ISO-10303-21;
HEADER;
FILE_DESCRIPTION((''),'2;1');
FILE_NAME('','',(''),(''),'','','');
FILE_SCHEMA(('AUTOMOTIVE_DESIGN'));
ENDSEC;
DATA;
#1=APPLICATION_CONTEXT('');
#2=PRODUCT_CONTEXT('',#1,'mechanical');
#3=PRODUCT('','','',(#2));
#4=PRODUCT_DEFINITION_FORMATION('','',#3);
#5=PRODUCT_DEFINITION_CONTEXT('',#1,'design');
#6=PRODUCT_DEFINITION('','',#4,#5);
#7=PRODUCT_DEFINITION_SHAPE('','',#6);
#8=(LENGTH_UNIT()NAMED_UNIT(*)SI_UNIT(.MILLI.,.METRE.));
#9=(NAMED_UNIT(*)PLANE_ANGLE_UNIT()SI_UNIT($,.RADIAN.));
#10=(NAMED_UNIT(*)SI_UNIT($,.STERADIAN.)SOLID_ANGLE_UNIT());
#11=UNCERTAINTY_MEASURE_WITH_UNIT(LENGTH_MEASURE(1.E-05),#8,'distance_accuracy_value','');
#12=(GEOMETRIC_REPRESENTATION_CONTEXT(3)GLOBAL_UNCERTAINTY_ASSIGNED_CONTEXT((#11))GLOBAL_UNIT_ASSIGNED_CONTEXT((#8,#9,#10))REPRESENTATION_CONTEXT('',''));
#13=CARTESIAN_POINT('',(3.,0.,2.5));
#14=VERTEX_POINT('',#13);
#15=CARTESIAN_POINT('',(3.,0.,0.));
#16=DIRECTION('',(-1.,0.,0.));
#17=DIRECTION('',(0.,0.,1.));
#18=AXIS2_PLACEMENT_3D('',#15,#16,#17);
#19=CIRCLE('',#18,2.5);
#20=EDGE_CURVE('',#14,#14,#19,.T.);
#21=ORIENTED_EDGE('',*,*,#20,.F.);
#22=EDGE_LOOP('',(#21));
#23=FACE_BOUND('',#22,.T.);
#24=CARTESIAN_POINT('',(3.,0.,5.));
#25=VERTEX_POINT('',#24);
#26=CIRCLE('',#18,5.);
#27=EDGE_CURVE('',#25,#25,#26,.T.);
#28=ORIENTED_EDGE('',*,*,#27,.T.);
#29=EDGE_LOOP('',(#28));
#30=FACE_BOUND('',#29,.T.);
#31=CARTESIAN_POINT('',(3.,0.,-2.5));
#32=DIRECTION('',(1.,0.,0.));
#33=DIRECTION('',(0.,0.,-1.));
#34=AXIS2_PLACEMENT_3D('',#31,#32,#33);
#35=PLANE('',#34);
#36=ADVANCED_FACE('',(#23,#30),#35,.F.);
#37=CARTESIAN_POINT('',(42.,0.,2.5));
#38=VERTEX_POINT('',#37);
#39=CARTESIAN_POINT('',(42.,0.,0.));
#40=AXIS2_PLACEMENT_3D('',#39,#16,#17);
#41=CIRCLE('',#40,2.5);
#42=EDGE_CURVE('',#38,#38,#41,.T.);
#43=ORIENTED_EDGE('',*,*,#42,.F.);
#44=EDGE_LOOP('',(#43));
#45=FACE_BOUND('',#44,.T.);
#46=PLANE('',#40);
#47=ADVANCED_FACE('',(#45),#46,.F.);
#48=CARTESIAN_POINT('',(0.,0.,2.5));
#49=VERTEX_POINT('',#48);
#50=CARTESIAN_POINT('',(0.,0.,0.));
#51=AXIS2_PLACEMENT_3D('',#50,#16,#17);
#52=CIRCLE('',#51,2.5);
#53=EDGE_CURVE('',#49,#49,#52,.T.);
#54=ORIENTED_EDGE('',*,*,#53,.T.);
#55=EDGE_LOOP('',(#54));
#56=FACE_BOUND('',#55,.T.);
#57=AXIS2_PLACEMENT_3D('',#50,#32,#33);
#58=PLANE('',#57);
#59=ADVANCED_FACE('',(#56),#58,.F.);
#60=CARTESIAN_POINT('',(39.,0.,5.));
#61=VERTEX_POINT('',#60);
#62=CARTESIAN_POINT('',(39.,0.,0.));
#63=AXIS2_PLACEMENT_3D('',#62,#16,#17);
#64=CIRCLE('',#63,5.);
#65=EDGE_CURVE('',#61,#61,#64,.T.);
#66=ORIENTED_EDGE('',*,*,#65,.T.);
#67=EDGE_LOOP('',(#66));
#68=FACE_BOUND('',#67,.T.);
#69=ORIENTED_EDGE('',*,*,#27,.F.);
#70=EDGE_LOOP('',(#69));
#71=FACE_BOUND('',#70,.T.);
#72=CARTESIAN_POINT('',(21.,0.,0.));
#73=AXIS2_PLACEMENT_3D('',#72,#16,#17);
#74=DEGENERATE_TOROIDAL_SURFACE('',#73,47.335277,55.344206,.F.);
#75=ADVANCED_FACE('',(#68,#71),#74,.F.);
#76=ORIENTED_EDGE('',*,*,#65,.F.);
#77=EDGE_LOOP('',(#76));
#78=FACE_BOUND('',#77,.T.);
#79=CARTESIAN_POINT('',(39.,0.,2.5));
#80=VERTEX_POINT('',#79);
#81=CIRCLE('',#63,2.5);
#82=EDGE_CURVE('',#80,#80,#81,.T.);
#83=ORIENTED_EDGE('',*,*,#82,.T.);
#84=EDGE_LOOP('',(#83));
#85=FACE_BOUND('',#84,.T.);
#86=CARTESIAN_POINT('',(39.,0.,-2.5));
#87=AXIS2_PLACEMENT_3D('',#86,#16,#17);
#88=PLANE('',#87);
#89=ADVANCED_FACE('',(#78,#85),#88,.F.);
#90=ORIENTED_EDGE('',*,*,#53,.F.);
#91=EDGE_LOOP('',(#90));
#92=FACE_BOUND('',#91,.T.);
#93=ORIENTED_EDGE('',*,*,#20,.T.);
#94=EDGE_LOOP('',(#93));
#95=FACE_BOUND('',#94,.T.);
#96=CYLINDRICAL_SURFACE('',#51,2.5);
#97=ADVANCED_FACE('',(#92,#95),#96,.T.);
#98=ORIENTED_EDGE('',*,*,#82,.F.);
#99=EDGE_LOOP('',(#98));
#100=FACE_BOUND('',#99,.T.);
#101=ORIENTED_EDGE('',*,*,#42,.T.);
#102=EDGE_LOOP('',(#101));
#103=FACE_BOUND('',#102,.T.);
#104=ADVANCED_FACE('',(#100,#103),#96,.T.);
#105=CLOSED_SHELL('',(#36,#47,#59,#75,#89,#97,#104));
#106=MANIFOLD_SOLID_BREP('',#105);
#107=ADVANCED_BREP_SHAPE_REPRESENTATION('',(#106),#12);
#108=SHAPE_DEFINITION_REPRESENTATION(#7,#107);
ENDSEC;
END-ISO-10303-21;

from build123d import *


with BuildPart() as part:
    # Sketch2 → Revolve1 (revolve)
    with BuildSketch(Plane(origin=(0, 0, 0), x_dir=(1, 0, 0), z_dir=(0, 1, 0))):
        with BuildLine():
            Line((0, 0), (0, 2.5))
            Line((0, 2.5), (3, 2.5))
            Line((3, 2.5), (3, 5))
            ThreePointArc((3, 5), (21, 8.00892975), (39, 5))
            Line((39, 5), (39, 2.5))
            Line((39, 2.5), (42, 2.5))
            Line((42, 2.5), (42, 0))
            Line((42, 0), (0, 0))
        make_face()
    revolve(axis=Axis((0, 0, 0), (1, 0, 0)))


solid = part.part
